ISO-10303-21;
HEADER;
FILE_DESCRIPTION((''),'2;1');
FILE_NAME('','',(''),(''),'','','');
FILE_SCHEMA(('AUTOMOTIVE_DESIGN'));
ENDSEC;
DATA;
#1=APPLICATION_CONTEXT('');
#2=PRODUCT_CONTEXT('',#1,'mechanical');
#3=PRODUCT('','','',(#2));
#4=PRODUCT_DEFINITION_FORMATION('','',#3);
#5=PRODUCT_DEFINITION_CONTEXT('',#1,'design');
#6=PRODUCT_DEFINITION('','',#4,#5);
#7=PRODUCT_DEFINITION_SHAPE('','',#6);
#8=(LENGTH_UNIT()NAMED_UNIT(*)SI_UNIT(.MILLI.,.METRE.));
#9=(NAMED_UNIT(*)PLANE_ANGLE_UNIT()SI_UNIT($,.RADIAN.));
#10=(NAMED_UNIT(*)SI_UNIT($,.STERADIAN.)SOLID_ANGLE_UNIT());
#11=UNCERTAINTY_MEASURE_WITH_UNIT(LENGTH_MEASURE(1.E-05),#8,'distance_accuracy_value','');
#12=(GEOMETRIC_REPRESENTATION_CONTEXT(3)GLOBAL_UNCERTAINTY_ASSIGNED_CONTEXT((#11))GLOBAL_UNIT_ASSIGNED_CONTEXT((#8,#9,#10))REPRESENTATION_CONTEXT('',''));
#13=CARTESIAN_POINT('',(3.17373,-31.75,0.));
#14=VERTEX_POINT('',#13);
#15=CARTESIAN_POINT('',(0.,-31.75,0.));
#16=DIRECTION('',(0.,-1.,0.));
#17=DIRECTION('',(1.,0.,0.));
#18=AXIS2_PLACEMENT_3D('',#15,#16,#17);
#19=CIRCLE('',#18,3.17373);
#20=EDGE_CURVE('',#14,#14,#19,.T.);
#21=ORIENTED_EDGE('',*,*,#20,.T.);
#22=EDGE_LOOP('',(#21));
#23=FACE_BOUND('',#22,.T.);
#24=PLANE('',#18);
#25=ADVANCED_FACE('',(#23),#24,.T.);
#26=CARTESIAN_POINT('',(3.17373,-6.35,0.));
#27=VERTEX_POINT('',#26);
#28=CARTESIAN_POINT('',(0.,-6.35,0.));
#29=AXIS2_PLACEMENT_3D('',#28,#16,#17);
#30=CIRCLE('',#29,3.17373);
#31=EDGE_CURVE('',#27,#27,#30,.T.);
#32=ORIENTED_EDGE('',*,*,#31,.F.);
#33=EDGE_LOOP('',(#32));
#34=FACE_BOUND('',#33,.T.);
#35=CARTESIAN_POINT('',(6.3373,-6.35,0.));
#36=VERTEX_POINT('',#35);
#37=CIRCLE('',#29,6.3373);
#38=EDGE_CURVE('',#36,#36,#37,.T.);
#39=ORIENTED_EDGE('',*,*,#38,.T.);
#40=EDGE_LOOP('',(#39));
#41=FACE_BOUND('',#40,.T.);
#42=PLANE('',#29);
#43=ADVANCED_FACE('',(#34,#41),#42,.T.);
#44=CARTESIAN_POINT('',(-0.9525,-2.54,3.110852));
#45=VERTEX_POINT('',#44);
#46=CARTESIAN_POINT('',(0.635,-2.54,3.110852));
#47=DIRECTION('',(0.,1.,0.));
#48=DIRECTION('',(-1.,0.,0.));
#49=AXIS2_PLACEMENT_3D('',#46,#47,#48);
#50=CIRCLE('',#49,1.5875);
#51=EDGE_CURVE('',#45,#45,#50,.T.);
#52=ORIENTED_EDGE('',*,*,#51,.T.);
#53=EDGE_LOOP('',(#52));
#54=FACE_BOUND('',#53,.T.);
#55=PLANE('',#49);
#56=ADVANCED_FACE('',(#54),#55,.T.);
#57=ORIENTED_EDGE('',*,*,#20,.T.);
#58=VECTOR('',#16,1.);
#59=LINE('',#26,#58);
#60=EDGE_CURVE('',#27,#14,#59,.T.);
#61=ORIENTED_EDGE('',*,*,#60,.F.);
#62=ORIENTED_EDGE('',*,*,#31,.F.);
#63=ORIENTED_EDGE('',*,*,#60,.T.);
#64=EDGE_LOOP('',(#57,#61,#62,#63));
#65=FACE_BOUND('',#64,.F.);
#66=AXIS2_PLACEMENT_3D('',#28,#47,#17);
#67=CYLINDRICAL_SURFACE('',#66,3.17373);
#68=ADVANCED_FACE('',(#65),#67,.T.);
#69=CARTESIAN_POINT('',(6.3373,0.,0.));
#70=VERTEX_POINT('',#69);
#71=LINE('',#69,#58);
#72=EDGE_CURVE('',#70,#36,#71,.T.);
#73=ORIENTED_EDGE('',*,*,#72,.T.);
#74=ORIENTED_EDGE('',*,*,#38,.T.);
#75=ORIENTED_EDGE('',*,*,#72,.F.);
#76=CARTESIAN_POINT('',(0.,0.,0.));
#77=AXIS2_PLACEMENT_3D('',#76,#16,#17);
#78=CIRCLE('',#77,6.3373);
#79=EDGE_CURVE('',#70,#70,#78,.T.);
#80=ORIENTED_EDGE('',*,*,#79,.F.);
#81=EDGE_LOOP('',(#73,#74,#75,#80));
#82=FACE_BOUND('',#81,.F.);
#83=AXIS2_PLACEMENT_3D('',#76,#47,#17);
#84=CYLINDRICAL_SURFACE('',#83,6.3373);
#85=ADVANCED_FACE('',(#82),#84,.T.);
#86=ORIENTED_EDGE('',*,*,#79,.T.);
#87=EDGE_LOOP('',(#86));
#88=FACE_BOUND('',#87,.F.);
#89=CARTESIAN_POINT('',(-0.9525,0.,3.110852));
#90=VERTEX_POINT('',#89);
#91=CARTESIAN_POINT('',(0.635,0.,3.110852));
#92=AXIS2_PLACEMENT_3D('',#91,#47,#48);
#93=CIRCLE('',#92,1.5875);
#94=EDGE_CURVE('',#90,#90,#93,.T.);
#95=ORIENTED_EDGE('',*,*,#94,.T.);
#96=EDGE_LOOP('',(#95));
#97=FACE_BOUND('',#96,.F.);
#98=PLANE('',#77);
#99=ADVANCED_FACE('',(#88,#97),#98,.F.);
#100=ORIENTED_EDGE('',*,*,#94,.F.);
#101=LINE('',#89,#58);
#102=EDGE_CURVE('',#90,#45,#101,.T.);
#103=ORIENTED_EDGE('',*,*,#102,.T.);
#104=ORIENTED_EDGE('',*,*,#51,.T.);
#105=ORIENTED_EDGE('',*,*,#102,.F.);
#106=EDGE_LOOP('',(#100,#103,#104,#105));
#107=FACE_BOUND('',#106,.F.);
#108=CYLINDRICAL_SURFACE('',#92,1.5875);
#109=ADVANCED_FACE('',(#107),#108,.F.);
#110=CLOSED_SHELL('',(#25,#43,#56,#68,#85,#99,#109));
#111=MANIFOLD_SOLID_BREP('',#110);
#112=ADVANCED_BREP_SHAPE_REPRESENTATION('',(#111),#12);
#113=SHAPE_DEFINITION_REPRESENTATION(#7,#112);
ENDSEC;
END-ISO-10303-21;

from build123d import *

# Parameters (mm, degrees)
F0_R     = 6.3373
F1_DEPTH = 6.35
F2_R     = 3.17373
F3_DEPTH = 25.4
F4_R     = 1.5875
F5_DEPTH = 2.54


with BuildPart() as f1:
    # F0 (on Front) → F1 (new body)
    with BuildSketch(Plane.XZ):
        Circle(F0_R)
    extrude(amount=F1_DEPTH)

    # F2 (on face) → F3 (join)
    with BuildSketch(Plane.XZ.offset(6.35)):
        Circle(F2_R)
    extrude(amount=F3_DEPTH)

    # F4 (on face) → F5 (cut)
    with BuildSketch(Plane(origin=(0, 0, 0), x_dir=(-1, 0, 0), z_dir=(0, 1, 0))):
        with Locations((-0.635, 3.110852)):
            Circle(F4_R)
    extrude(amount=-F5_DEPTH, mode=Mode.SUBTRACT)


solid = f1.part
